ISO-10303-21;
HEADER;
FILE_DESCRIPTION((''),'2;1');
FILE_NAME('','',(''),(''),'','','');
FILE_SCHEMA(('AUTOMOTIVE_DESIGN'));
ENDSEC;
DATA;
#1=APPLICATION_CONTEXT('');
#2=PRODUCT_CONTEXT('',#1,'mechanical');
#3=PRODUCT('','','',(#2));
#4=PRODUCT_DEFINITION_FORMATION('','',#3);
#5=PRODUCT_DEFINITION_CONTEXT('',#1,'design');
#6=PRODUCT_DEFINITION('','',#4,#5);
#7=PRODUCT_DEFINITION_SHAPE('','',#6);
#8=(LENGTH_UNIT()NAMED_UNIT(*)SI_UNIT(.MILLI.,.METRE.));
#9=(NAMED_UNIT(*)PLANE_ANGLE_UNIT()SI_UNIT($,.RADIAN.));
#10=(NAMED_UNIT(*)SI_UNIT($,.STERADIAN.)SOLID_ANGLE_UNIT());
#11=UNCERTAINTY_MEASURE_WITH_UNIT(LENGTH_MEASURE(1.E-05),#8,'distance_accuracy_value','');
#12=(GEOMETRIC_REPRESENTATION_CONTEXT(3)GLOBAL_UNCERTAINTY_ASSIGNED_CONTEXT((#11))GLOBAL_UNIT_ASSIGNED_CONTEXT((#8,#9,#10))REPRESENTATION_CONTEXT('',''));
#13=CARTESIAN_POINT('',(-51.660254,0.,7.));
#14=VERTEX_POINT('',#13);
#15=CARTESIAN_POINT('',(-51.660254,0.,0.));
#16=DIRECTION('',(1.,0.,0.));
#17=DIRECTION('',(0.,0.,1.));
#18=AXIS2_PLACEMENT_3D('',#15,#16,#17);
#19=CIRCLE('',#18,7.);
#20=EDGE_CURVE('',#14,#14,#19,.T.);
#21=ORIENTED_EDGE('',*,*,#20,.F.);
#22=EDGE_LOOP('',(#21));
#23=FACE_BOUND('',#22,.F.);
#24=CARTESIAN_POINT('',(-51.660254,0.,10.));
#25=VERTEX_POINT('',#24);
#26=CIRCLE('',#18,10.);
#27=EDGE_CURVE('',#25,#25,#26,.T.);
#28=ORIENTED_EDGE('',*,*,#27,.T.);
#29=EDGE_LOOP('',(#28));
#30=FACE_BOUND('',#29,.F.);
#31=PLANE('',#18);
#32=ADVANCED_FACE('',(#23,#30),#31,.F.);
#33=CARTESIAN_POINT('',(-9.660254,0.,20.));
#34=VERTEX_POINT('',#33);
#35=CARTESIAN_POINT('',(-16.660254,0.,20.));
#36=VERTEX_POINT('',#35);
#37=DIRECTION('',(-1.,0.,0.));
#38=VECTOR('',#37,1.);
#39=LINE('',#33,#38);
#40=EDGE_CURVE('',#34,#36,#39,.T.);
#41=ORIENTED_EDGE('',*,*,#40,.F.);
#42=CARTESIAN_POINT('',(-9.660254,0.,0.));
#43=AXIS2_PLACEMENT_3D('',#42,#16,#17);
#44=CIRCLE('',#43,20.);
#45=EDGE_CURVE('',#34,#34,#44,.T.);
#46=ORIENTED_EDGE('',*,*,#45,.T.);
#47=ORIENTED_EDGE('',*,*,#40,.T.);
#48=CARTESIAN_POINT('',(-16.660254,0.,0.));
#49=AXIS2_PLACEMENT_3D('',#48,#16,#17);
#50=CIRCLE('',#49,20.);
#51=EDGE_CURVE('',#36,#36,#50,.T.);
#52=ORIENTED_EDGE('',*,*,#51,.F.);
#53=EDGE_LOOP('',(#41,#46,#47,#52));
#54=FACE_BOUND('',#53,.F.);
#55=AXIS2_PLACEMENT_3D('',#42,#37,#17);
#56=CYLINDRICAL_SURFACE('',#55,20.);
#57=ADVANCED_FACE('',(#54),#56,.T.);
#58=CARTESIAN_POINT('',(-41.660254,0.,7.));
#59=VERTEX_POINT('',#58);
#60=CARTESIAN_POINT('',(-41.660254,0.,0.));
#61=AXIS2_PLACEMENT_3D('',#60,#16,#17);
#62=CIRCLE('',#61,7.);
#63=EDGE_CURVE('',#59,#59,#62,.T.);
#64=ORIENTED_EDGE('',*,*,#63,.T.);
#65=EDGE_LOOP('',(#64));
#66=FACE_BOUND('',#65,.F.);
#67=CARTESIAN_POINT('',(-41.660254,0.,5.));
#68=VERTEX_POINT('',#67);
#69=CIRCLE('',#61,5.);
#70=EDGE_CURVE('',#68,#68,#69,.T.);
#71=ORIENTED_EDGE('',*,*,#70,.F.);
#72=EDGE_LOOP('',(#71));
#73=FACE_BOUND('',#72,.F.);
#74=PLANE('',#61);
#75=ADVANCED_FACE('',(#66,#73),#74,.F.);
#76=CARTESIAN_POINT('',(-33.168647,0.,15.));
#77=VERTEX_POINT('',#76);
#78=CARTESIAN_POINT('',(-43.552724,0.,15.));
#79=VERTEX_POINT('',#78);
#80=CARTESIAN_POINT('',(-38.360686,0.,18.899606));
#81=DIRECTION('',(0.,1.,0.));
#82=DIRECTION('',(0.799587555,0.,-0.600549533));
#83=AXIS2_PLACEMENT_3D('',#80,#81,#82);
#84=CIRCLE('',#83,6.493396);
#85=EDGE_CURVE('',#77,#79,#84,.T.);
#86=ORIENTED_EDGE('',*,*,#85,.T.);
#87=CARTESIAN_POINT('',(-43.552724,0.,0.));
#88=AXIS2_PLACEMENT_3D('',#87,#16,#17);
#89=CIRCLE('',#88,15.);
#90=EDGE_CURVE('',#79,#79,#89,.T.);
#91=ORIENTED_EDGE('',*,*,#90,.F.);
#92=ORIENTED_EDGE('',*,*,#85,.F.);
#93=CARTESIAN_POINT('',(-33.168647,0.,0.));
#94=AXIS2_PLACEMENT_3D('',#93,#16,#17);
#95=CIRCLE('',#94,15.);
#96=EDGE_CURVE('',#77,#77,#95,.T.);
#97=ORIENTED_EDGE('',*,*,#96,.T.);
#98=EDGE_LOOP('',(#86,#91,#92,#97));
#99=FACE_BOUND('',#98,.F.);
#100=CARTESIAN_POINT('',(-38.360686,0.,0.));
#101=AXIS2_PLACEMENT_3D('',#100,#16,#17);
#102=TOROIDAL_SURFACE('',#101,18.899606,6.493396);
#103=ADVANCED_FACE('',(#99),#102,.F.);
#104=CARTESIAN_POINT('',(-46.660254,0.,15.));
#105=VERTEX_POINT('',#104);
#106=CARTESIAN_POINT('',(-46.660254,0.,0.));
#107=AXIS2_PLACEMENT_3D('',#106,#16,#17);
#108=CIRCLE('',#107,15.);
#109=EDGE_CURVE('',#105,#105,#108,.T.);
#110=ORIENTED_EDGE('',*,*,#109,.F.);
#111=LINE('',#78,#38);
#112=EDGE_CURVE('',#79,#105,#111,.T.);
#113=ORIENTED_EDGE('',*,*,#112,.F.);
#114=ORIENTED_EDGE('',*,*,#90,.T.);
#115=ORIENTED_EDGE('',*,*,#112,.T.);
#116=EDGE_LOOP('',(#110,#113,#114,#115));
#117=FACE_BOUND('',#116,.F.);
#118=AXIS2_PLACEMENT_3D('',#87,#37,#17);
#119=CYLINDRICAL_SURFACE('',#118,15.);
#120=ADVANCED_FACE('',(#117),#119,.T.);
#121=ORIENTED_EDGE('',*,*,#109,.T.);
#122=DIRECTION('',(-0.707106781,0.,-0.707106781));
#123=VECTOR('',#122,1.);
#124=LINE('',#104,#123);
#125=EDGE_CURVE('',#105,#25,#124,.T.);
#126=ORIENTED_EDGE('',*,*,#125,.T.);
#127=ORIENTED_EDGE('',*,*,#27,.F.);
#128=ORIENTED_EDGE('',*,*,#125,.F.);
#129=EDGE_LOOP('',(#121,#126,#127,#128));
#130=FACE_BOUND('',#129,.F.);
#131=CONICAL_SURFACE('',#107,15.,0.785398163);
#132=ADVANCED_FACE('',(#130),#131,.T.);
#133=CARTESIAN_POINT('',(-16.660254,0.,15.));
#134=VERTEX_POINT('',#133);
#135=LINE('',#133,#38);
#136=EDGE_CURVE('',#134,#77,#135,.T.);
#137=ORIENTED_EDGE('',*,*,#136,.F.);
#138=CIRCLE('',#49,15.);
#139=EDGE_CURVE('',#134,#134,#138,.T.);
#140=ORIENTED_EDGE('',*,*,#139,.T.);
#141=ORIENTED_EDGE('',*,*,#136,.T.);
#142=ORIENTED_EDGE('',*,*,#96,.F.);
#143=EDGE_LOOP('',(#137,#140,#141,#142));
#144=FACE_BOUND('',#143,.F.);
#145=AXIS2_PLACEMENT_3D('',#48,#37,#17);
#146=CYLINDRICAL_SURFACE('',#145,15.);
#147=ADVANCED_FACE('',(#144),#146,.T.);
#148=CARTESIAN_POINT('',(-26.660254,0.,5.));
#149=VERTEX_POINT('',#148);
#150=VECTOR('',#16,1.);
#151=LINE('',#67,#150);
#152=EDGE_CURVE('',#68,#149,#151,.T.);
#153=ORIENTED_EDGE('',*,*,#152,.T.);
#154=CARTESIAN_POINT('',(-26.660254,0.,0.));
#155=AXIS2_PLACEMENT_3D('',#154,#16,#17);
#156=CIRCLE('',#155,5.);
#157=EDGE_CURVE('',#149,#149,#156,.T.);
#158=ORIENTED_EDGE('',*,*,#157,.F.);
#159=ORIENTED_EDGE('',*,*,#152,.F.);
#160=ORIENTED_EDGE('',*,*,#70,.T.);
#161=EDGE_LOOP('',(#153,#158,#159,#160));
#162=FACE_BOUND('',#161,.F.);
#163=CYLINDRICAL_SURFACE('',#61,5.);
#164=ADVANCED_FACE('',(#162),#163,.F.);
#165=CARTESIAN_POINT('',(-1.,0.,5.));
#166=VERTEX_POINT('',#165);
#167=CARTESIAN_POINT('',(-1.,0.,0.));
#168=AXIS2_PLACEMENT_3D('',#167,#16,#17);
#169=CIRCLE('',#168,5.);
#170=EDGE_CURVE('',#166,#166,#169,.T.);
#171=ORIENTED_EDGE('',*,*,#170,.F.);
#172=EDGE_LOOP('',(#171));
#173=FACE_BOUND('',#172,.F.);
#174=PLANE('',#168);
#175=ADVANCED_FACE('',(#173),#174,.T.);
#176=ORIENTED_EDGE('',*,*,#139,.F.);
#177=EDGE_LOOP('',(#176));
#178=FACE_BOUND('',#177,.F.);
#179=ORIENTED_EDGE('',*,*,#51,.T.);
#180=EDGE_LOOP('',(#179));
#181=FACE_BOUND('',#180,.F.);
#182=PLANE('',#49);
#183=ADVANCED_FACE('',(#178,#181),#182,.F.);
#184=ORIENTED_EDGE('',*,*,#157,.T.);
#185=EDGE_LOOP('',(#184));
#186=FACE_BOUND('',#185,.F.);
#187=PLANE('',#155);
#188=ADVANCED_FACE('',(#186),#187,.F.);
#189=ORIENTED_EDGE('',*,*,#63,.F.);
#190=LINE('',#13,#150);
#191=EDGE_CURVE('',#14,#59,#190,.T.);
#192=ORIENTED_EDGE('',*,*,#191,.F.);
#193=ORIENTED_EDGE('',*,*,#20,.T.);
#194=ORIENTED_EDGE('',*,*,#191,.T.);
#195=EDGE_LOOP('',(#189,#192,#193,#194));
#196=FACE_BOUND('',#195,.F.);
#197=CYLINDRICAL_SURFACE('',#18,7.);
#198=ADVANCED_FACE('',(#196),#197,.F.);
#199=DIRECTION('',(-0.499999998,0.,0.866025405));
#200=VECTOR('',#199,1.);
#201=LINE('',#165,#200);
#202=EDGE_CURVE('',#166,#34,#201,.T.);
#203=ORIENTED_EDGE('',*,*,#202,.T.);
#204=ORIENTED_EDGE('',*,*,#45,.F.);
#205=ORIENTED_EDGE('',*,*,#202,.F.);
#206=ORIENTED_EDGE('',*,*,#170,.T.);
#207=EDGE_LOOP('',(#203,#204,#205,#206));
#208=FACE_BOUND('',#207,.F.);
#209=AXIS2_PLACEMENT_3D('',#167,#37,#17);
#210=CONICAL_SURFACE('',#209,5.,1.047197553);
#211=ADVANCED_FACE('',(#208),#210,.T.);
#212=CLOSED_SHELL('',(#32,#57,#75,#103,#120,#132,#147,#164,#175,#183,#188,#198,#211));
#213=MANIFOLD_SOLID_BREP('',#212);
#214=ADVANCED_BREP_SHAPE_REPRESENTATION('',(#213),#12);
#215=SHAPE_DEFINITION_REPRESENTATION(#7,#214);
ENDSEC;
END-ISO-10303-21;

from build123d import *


with BuildPart() as f1:
    # F0 (on Front) → F1 (revolve)
    with BuildSketch(Plane.XZ):
        with BuildLine():
            Line((-26.660254, 0), (-1, 0))
            Line((-1, 0), (-1, 5))
            Line((-1, 5), (-9.660254, 20))
            Line((-9.660254, 20), (-16.660254, 20))
            Line((-16.660254, 20), (-16.660254, 15))
            Line((-16.660254, 15), (-33.168647, 15))
            ThreePointArc((-33.168647, 15), (-38.360685, 12.40621), (-43.552724, 15))
            Line((-43.552724, 15), (-46.660254, 15))
            Line((-46.660254, 15), (-51.660254, 10))
            Line((-51.660254, 10), (-51.660254, 7))
            Line((-51.660254, 7), (-41.660254, 7))
            Line((-41.660254, 7), (-41.660254, 5))
            Line((-41.660254, 5), (-26.660254, 5))
            Line((-26.660254, 5), (-26.660254, 0))
        make_face()
    revolve(axis=Axis((-30.367628, 0, 0), (1, 0, 0)))


solid = f1.part
